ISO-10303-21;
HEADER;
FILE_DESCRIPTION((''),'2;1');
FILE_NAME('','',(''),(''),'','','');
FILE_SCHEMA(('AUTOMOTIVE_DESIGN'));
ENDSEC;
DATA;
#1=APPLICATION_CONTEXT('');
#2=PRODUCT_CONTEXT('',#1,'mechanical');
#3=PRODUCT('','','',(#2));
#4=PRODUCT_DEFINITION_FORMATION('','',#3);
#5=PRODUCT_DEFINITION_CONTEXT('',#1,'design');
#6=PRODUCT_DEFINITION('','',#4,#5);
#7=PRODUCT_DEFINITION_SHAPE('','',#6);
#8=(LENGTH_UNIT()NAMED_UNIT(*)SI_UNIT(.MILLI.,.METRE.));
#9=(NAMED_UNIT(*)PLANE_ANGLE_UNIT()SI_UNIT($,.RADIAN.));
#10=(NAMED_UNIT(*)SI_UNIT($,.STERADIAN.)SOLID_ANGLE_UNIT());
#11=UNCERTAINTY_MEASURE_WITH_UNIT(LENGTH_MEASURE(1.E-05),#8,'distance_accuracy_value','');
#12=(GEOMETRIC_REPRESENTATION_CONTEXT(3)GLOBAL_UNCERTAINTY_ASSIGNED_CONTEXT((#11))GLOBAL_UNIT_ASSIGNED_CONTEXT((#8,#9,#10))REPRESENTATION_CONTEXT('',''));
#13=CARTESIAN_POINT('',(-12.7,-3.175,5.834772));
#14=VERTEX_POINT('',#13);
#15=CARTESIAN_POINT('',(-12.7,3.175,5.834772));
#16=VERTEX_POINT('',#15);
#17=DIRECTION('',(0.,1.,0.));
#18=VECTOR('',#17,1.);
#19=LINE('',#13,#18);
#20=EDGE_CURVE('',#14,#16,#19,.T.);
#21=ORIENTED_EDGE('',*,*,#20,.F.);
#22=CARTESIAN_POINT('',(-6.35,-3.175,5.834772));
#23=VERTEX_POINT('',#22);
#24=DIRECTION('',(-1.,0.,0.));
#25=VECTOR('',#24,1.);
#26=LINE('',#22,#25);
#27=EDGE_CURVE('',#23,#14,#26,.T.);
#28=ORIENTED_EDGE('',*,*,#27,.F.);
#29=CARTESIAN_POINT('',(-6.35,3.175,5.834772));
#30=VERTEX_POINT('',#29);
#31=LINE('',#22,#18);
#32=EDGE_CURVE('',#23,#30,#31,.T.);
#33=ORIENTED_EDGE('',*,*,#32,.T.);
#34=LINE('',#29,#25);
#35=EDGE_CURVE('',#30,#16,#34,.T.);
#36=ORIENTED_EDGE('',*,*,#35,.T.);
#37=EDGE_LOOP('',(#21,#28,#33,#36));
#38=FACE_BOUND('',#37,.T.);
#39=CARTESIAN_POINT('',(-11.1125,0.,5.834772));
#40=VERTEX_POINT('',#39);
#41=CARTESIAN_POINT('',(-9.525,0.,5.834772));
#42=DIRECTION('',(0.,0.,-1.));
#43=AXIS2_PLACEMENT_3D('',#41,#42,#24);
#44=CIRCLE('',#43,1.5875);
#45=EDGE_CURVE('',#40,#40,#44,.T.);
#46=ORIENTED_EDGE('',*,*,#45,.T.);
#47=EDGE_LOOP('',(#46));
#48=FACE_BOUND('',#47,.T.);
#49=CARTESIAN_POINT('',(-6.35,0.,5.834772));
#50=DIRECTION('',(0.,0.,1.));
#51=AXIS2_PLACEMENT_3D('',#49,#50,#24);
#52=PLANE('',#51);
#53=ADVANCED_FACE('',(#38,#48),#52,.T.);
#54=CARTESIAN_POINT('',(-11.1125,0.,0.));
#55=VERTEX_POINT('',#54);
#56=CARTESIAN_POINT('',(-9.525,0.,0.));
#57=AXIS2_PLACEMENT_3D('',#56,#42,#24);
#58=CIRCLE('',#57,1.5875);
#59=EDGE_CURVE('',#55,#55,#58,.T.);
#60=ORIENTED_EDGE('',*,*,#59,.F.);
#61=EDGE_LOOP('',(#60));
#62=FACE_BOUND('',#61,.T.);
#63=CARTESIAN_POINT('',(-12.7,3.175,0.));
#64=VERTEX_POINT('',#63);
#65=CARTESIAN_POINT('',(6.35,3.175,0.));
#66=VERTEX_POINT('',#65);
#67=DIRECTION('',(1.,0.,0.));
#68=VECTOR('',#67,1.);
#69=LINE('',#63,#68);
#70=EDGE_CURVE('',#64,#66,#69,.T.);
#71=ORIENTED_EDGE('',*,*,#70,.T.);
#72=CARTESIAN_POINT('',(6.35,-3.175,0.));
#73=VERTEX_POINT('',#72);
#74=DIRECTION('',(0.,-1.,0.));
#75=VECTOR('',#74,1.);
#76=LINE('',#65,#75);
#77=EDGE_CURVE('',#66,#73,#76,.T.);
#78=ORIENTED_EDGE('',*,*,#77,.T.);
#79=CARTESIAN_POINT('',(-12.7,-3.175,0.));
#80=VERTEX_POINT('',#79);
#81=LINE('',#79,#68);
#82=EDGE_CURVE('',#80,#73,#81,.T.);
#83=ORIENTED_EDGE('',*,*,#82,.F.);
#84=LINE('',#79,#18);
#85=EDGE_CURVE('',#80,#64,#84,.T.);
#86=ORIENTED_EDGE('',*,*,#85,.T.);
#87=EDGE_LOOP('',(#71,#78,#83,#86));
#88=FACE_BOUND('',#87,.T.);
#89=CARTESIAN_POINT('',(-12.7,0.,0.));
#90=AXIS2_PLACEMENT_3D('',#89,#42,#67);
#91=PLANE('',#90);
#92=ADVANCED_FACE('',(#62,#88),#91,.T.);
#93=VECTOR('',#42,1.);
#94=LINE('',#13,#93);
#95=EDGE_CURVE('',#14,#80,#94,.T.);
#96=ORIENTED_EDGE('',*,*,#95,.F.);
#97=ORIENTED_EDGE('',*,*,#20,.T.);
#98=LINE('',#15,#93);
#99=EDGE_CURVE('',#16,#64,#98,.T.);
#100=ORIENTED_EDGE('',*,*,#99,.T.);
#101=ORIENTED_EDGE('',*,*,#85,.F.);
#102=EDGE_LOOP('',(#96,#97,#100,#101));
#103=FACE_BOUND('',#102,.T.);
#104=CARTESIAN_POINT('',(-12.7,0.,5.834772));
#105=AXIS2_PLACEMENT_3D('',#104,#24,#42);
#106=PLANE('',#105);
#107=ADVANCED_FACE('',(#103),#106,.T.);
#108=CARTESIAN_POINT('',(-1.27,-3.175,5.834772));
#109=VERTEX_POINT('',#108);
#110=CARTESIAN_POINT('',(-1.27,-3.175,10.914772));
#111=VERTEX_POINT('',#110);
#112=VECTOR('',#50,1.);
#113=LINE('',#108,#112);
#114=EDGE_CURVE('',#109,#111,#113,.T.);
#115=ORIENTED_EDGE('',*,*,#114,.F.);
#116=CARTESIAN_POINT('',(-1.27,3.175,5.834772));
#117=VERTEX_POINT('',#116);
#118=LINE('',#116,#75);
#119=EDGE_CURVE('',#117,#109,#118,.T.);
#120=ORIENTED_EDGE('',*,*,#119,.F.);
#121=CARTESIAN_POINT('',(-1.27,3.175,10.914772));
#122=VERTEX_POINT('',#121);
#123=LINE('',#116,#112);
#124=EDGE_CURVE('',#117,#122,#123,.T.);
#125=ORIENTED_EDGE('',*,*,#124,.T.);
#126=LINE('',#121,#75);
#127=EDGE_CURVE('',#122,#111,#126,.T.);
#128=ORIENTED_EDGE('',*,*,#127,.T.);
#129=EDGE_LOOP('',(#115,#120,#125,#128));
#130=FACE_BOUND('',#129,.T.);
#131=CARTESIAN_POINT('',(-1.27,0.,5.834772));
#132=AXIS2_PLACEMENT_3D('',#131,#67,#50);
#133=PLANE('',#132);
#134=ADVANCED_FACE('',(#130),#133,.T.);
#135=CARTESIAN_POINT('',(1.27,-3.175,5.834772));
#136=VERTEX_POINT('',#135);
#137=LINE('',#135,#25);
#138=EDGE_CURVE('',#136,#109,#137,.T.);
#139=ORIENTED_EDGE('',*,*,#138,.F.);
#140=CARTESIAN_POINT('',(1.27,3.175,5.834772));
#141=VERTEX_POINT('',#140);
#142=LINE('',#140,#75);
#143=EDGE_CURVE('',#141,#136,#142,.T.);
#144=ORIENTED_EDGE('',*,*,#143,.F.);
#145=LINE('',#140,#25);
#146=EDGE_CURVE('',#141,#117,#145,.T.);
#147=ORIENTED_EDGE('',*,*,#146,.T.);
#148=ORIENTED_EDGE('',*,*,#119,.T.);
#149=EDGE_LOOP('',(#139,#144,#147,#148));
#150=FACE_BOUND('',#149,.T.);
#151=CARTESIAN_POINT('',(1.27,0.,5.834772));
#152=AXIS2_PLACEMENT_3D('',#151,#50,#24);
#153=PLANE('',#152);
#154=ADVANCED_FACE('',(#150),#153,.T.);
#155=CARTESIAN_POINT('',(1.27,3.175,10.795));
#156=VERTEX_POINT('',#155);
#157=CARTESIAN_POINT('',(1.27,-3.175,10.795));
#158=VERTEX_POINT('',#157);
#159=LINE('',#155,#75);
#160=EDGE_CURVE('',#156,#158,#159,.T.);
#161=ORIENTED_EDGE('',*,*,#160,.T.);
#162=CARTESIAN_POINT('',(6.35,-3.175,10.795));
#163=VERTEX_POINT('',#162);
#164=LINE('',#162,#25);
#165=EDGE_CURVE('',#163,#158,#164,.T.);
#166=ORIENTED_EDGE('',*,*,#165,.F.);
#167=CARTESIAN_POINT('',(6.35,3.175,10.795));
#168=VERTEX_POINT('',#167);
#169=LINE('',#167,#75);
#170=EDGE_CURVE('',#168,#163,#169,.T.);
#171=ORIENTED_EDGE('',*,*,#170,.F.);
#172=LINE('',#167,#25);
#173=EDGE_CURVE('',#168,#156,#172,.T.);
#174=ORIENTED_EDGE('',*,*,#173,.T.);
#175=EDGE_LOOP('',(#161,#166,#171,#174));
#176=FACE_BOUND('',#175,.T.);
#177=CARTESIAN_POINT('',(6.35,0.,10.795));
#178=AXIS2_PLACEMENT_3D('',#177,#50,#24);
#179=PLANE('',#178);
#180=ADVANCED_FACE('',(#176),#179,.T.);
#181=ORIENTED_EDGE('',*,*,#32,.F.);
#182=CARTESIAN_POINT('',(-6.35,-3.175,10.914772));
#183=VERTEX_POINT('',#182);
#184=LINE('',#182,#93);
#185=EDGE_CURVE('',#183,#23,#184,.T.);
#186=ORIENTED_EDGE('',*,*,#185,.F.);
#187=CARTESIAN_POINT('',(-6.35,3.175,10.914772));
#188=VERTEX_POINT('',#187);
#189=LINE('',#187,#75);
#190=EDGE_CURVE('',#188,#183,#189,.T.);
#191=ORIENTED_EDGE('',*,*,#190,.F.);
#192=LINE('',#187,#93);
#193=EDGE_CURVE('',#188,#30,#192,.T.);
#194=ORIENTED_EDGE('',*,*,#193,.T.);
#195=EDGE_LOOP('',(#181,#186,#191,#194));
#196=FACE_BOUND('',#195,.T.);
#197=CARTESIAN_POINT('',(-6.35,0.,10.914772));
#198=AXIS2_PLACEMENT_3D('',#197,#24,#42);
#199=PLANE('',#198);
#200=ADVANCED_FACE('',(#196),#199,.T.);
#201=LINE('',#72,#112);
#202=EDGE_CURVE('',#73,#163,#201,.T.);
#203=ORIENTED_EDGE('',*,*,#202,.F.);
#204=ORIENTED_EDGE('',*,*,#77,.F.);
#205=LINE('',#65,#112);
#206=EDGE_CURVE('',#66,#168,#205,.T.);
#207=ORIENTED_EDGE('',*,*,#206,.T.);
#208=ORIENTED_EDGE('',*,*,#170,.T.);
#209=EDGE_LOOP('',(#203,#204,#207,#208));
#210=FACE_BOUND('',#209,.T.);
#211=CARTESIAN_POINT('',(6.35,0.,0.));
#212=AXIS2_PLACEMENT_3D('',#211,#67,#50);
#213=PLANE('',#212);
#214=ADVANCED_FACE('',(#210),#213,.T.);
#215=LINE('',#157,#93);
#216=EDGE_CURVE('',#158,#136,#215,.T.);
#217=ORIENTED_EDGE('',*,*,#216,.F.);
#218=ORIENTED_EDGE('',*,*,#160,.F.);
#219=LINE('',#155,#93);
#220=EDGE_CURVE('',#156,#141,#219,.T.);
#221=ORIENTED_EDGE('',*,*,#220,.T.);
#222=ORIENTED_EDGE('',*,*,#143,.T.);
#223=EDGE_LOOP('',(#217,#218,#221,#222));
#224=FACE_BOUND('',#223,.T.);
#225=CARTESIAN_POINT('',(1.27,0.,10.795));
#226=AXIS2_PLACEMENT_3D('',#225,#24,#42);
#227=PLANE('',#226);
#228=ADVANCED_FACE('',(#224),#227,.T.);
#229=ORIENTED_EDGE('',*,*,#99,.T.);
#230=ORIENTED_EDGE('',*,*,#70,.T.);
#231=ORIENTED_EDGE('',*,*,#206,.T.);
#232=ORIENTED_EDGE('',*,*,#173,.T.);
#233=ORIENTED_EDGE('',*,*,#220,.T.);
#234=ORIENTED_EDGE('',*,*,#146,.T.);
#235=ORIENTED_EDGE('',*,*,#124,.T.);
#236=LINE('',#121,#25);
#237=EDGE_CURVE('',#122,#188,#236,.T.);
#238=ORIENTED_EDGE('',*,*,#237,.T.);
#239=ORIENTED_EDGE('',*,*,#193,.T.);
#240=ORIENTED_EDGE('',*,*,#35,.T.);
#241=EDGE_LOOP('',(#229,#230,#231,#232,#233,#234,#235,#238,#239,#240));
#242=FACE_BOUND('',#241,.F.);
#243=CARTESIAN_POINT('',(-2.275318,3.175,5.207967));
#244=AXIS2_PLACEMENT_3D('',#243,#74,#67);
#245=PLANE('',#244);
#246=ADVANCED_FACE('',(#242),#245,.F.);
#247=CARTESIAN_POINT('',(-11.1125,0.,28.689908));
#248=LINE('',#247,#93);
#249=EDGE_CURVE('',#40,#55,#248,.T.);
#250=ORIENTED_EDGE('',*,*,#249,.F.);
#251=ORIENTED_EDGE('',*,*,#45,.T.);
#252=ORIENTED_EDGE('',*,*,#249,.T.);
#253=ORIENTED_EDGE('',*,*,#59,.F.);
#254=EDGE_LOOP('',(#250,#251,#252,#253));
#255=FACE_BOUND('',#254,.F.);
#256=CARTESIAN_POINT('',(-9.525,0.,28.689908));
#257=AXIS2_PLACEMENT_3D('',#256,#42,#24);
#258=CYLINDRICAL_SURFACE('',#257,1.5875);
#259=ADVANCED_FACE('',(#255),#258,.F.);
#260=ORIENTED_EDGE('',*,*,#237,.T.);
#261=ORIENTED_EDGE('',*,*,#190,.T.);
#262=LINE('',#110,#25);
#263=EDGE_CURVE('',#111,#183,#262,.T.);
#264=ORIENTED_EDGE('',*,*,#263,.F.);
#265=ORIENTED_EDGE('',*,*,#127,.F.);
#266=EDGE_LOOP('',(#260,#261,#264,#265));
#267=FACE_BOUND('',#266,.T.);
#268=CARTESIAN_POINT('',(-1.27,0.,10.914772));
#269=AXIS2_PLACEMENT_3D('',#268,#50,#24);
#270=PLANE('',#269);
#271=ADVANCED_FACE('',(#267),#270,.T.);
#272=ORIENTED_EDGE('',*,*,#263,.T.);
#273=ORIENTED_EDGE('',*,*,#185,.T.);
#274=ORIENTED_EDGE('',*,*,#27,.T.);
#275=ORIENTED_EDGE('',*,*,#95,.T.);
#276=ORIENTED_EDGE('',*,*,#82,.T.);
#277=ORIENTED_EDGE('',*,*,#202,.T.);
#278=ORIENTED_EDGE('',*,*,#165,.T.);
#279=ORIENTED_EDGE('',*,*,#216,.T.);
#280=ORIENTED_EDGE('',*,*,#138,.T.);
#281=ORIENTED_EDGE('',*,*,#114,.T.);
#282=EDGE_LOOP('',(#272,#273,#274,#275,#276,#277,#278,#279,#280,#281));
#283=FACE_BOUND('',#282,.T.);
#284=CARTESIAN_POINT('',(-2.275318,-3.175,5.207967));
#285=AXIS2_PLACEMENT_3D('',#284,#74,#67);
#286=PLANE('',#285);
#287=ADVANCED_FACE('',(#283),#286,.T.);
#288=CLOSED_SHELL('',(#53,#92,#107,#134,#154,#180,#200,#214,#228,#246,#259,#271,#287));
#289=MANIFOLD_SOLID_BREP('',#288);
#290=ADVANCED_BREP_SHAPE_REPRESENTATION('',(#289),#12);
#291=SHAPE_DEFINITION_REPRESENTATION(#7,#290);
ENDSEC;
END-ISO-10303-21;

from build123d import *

# Parameters (mm, degrees)
F1_DEPTH = 3.175
F4_D     = 3.175


with BuildPart() as f1:
    # F0 (on Front) → F1 (new body, symmetric)
    with BuildSketch(Plane.XZ):
        Polygon((-12.7, 0), (6.35, 0), (6.35, 10.795), (1.27, 10.795), (1.27, 5.83477201), (-1.27, 5.83477201), (-1.27, 10.91477201), (-6.35, 10.91477201), (-6.35, 5.83477201), (-12.7, 5.83477201), align=None)
    extrude(amount=F1_DEPTH, both=True)

    # F4 (through all)
    with Locations(Plane.XY.offset(5.83477201)):
        with Locations((-9.525, 0)):
            Hole(F4_D / 2)


solid = f1.part
